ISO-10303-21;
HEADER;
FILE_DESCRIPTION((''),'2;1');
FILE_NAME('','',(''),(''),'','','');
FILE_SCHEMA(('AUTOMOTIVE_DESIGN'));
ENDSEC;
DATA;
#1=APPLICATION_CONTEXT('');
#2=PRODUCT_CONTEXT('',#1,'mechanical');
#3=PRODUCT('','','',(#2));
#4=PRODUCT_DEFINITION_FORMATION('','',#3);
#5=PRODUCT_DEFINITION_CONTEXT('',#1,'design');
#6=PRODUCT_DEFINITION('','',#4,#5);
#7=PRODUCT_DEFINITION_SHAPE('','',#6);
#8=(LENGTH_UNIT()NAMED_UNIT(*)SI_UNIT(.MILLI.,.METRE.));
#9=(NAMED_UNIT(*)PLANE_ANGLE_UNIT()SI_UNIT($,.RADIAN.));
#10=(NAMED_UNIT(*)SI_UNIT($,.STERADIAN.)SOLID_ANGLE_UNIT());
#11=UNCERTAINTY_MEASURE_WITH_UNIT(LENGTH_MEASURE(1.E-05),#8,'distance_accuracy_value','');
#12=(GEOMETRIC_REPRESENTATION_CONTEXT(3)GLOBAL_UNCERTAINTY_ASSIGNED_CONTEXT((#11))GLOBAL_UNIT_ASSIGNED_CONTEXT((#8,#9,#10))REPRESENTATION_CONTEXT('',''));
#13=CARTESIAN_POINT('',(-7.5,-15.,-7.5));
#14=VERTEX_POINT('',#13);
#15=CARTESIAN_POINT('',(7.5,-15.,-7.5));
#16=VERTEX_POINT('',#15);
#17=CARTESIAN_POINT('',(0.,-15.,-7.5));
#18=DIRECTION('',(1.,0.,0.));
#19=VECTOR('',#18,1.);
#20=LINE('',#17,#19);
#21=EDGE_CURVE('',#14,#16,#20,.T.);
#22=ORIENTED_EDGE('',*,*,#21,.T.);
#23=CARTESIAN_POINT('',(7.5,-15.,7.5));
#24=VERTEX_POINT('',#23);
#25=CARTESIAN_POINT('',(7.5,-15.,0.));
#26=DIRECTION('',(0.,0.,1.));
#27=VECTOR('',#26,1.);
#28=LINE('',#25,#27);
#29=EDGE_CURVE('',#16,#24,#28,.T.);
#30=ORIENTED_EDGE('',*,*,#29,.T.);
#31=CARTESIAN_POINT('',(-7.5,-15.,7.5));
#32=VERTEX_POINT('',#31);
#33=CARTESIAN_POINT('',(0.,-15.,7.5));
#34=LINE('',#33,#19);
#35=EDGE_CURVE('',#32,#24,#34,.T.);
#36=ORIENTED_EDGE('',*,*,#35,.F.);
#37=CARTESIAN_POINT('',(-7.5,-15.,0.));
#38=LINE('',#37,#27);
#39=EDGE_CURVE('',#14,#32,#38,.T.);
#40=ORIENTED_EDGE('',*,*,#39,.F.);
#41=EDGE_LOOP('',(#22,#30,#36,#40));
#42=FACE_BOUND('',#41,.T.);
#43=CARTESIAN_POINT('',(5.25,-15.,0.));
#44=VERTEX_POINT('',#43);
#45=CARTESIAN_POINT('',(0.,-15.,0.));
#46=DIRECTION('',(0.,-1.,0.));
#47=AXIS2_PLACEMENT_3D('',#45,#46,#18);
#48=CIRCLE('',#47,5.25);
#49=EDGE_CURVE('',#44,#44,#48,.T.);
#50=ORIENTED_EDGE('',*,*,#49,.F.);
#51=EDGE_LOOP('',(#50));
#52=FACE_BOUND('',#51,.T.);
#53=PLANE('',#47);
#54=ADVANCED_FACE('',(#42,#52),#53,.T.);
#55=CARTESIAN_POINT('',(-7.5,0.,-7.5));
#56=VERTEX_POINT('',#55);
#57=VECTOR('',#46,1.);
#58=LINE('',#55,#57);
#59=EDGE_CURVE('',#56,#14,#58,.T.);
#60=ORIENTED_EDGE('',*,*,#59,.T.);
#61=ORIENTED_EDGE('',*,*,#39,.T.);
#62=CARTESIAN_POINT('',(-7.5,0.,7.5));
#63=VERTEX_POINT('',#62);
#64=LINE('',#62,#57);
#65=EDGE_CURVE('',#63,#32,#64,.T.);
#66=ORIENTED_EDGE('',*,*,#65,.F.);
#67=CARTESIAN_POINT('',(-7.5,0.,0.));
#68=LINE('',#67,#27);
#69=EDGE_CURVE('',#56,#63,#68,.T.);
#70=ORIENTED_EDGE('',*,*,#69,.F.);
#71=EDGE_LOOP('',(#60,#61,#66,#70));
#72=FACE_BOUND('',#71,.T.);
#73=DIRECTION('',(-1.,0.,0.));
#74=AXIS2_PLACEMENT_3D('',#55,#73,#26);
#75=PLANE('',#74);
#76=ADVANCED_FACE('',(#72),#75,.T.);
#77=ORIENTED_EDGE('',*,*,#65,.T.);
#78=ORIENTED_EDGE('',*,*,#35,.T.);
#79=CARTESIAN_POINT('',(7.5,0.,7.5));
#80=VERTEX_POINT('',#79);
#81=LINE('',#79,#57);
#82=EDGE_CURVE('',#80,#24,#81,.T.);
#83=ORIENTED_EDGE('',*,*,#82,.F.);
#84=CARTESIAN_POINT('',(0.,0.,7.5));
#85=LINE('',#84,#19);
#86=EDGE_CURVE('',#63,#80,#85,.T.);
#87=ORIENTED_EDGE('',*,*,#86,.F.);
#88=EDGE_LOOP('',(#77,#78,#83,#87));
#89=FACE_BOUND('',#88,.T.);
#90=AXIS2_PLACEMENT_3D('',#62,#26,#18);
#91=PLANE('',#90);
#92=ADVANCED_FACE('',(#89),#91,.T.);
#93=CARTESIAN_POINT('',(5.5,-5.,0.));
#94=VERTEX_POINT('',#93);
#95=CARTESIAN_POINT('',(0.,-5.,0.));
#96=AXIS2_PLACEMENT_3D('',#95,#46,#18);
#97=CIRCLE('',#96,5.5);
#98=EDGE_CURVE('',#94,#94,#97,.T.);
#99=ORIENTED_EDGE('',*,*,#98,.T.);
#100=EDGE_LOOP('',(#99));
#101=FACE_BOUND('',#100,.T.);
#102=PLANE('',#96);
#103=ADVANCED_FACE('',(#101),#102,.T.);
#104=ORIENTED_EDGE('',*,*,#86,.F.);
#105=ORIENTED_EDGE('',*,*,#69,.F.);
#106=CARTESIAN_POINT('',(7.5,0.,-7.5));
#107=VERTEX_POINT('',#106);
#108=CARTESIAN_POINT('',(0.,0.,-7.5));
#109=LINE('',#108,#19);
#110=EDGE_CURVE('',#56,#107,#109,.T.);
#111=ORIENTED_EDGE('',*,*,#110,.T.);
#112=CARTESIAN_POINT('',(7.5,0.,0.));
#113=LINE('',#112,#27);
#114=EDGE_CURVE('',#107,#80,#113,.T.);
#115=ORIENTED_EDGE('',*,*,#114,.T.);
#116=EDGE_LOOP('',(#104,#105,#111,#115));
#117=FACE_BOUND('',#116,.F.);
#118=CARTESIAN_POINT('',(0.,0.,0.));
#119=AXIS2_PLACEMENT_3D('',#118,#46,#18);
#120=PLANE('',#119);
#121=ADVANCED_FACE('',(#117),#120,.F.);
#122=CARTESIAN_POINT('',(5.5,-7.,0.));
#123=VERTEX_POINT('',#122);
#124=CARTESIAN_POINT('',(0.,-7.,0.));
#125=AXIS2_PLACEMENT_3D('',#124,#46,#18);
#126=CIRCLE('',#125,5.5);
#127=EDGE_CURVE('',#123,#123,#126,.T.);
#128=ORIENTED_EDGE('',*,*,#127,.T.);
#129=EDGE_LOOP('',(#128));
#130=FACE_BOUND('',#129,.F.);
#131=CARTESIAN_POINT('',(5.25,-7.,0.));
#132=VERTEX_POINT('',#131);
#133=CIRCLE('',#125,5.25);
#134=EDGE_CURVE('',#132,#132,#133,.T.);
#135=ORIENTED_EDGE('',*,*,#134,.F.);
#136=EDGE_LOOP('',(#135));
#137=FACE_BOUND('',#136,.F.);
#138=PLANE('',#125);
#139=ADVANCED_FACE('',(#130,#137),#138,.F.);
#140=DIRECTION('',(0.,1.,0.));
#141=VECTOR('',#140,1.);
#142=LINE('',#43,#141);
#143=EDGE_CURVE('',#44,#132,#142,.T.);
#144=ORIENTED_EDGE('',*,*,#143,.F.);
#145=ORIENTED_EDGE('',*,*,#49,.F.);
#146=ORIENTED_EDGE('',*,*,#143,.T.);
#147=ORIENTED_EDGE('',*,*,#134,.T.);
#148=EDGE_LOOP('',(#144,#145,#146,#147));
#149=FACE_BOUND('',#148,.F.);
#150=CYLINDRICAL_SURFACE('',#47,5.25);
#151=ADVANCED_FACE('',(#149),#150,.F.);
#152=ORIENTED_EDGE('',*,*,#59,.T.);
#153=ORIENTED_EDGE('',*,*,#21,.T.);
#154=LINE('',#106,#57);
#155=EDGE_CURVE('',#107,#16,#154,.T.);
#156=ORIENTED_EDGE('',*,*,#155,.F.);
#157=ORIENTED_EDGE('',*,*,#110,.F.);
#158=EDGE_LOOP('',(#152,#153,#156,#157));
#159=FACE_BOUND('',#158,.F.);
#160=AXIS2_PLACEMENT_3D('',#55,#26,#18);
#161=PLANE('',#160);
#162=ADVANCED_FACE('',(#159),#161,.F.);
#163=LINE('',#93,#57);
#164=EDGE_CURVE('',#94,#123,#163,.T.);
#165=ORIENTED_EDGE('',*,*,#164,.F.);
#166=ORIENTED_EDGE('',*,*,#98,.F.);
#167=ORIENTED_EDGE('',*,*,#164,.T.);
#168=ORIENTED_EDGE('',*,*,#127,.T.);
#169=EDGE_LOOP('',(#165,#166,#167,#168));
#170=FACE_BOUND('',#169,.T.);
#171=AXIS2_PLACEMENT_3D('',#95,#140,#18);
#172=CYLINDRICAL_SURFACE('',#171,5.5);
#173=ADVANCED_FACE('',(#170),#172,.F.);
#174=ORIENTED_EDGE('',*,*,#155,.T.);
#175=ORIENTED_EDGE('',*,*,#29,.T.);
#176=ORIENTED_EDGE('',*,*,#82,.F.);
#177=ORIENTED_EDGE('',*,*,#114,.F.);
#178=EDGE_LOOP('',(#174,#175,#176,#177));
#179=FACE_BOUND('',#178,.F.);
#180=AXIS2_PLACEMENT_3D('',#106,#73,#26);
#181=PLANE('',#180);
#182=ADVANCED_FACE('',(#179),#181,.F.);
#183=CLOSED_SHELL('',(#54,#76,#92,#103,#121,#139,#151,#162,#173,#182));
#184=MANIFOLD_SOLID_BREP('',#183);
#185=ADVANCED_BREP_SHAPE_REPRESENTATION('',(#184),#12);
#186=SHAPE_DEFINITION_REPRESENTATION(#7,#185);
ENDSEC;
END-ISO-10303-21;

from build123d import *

# Parameters (mm, degrees)
F0_W     = 15
F0_H     = 15
F1_DEPTH = 15
F2_R     = 5.25
F3_DEPTH = 10
F4_R     = 5.5
F4_R_2   = 5.25
F5_DEPTH = 2


with BuildPart() as f1:
    # F0 (on Front) → F1 (new body)
    with BuildSketch(Plane.XZ):
        Rectangle(F0_W, F0_H)
    extrude(amount=F1_DEPTH)

    # F2 (on face) → F3 (cut)
    with BuildSketch(Plane.XZ.offset(15)):
        Circle(F2_R)
    extrude(amount=-F3_DEPTH, mode=Mode.SUBTRACT)

    # F4 (on face) → F5 (cut)
    with BuildSketch(Plane.XZ.offset(5)):
        Circle(F4_R)
        Circle(F4_R_2, mode=Mode.SUBTRACT)
    extrude(amount=F5_DEPTH, mode=Mode.SUBTRACT)


solid = f1.part
